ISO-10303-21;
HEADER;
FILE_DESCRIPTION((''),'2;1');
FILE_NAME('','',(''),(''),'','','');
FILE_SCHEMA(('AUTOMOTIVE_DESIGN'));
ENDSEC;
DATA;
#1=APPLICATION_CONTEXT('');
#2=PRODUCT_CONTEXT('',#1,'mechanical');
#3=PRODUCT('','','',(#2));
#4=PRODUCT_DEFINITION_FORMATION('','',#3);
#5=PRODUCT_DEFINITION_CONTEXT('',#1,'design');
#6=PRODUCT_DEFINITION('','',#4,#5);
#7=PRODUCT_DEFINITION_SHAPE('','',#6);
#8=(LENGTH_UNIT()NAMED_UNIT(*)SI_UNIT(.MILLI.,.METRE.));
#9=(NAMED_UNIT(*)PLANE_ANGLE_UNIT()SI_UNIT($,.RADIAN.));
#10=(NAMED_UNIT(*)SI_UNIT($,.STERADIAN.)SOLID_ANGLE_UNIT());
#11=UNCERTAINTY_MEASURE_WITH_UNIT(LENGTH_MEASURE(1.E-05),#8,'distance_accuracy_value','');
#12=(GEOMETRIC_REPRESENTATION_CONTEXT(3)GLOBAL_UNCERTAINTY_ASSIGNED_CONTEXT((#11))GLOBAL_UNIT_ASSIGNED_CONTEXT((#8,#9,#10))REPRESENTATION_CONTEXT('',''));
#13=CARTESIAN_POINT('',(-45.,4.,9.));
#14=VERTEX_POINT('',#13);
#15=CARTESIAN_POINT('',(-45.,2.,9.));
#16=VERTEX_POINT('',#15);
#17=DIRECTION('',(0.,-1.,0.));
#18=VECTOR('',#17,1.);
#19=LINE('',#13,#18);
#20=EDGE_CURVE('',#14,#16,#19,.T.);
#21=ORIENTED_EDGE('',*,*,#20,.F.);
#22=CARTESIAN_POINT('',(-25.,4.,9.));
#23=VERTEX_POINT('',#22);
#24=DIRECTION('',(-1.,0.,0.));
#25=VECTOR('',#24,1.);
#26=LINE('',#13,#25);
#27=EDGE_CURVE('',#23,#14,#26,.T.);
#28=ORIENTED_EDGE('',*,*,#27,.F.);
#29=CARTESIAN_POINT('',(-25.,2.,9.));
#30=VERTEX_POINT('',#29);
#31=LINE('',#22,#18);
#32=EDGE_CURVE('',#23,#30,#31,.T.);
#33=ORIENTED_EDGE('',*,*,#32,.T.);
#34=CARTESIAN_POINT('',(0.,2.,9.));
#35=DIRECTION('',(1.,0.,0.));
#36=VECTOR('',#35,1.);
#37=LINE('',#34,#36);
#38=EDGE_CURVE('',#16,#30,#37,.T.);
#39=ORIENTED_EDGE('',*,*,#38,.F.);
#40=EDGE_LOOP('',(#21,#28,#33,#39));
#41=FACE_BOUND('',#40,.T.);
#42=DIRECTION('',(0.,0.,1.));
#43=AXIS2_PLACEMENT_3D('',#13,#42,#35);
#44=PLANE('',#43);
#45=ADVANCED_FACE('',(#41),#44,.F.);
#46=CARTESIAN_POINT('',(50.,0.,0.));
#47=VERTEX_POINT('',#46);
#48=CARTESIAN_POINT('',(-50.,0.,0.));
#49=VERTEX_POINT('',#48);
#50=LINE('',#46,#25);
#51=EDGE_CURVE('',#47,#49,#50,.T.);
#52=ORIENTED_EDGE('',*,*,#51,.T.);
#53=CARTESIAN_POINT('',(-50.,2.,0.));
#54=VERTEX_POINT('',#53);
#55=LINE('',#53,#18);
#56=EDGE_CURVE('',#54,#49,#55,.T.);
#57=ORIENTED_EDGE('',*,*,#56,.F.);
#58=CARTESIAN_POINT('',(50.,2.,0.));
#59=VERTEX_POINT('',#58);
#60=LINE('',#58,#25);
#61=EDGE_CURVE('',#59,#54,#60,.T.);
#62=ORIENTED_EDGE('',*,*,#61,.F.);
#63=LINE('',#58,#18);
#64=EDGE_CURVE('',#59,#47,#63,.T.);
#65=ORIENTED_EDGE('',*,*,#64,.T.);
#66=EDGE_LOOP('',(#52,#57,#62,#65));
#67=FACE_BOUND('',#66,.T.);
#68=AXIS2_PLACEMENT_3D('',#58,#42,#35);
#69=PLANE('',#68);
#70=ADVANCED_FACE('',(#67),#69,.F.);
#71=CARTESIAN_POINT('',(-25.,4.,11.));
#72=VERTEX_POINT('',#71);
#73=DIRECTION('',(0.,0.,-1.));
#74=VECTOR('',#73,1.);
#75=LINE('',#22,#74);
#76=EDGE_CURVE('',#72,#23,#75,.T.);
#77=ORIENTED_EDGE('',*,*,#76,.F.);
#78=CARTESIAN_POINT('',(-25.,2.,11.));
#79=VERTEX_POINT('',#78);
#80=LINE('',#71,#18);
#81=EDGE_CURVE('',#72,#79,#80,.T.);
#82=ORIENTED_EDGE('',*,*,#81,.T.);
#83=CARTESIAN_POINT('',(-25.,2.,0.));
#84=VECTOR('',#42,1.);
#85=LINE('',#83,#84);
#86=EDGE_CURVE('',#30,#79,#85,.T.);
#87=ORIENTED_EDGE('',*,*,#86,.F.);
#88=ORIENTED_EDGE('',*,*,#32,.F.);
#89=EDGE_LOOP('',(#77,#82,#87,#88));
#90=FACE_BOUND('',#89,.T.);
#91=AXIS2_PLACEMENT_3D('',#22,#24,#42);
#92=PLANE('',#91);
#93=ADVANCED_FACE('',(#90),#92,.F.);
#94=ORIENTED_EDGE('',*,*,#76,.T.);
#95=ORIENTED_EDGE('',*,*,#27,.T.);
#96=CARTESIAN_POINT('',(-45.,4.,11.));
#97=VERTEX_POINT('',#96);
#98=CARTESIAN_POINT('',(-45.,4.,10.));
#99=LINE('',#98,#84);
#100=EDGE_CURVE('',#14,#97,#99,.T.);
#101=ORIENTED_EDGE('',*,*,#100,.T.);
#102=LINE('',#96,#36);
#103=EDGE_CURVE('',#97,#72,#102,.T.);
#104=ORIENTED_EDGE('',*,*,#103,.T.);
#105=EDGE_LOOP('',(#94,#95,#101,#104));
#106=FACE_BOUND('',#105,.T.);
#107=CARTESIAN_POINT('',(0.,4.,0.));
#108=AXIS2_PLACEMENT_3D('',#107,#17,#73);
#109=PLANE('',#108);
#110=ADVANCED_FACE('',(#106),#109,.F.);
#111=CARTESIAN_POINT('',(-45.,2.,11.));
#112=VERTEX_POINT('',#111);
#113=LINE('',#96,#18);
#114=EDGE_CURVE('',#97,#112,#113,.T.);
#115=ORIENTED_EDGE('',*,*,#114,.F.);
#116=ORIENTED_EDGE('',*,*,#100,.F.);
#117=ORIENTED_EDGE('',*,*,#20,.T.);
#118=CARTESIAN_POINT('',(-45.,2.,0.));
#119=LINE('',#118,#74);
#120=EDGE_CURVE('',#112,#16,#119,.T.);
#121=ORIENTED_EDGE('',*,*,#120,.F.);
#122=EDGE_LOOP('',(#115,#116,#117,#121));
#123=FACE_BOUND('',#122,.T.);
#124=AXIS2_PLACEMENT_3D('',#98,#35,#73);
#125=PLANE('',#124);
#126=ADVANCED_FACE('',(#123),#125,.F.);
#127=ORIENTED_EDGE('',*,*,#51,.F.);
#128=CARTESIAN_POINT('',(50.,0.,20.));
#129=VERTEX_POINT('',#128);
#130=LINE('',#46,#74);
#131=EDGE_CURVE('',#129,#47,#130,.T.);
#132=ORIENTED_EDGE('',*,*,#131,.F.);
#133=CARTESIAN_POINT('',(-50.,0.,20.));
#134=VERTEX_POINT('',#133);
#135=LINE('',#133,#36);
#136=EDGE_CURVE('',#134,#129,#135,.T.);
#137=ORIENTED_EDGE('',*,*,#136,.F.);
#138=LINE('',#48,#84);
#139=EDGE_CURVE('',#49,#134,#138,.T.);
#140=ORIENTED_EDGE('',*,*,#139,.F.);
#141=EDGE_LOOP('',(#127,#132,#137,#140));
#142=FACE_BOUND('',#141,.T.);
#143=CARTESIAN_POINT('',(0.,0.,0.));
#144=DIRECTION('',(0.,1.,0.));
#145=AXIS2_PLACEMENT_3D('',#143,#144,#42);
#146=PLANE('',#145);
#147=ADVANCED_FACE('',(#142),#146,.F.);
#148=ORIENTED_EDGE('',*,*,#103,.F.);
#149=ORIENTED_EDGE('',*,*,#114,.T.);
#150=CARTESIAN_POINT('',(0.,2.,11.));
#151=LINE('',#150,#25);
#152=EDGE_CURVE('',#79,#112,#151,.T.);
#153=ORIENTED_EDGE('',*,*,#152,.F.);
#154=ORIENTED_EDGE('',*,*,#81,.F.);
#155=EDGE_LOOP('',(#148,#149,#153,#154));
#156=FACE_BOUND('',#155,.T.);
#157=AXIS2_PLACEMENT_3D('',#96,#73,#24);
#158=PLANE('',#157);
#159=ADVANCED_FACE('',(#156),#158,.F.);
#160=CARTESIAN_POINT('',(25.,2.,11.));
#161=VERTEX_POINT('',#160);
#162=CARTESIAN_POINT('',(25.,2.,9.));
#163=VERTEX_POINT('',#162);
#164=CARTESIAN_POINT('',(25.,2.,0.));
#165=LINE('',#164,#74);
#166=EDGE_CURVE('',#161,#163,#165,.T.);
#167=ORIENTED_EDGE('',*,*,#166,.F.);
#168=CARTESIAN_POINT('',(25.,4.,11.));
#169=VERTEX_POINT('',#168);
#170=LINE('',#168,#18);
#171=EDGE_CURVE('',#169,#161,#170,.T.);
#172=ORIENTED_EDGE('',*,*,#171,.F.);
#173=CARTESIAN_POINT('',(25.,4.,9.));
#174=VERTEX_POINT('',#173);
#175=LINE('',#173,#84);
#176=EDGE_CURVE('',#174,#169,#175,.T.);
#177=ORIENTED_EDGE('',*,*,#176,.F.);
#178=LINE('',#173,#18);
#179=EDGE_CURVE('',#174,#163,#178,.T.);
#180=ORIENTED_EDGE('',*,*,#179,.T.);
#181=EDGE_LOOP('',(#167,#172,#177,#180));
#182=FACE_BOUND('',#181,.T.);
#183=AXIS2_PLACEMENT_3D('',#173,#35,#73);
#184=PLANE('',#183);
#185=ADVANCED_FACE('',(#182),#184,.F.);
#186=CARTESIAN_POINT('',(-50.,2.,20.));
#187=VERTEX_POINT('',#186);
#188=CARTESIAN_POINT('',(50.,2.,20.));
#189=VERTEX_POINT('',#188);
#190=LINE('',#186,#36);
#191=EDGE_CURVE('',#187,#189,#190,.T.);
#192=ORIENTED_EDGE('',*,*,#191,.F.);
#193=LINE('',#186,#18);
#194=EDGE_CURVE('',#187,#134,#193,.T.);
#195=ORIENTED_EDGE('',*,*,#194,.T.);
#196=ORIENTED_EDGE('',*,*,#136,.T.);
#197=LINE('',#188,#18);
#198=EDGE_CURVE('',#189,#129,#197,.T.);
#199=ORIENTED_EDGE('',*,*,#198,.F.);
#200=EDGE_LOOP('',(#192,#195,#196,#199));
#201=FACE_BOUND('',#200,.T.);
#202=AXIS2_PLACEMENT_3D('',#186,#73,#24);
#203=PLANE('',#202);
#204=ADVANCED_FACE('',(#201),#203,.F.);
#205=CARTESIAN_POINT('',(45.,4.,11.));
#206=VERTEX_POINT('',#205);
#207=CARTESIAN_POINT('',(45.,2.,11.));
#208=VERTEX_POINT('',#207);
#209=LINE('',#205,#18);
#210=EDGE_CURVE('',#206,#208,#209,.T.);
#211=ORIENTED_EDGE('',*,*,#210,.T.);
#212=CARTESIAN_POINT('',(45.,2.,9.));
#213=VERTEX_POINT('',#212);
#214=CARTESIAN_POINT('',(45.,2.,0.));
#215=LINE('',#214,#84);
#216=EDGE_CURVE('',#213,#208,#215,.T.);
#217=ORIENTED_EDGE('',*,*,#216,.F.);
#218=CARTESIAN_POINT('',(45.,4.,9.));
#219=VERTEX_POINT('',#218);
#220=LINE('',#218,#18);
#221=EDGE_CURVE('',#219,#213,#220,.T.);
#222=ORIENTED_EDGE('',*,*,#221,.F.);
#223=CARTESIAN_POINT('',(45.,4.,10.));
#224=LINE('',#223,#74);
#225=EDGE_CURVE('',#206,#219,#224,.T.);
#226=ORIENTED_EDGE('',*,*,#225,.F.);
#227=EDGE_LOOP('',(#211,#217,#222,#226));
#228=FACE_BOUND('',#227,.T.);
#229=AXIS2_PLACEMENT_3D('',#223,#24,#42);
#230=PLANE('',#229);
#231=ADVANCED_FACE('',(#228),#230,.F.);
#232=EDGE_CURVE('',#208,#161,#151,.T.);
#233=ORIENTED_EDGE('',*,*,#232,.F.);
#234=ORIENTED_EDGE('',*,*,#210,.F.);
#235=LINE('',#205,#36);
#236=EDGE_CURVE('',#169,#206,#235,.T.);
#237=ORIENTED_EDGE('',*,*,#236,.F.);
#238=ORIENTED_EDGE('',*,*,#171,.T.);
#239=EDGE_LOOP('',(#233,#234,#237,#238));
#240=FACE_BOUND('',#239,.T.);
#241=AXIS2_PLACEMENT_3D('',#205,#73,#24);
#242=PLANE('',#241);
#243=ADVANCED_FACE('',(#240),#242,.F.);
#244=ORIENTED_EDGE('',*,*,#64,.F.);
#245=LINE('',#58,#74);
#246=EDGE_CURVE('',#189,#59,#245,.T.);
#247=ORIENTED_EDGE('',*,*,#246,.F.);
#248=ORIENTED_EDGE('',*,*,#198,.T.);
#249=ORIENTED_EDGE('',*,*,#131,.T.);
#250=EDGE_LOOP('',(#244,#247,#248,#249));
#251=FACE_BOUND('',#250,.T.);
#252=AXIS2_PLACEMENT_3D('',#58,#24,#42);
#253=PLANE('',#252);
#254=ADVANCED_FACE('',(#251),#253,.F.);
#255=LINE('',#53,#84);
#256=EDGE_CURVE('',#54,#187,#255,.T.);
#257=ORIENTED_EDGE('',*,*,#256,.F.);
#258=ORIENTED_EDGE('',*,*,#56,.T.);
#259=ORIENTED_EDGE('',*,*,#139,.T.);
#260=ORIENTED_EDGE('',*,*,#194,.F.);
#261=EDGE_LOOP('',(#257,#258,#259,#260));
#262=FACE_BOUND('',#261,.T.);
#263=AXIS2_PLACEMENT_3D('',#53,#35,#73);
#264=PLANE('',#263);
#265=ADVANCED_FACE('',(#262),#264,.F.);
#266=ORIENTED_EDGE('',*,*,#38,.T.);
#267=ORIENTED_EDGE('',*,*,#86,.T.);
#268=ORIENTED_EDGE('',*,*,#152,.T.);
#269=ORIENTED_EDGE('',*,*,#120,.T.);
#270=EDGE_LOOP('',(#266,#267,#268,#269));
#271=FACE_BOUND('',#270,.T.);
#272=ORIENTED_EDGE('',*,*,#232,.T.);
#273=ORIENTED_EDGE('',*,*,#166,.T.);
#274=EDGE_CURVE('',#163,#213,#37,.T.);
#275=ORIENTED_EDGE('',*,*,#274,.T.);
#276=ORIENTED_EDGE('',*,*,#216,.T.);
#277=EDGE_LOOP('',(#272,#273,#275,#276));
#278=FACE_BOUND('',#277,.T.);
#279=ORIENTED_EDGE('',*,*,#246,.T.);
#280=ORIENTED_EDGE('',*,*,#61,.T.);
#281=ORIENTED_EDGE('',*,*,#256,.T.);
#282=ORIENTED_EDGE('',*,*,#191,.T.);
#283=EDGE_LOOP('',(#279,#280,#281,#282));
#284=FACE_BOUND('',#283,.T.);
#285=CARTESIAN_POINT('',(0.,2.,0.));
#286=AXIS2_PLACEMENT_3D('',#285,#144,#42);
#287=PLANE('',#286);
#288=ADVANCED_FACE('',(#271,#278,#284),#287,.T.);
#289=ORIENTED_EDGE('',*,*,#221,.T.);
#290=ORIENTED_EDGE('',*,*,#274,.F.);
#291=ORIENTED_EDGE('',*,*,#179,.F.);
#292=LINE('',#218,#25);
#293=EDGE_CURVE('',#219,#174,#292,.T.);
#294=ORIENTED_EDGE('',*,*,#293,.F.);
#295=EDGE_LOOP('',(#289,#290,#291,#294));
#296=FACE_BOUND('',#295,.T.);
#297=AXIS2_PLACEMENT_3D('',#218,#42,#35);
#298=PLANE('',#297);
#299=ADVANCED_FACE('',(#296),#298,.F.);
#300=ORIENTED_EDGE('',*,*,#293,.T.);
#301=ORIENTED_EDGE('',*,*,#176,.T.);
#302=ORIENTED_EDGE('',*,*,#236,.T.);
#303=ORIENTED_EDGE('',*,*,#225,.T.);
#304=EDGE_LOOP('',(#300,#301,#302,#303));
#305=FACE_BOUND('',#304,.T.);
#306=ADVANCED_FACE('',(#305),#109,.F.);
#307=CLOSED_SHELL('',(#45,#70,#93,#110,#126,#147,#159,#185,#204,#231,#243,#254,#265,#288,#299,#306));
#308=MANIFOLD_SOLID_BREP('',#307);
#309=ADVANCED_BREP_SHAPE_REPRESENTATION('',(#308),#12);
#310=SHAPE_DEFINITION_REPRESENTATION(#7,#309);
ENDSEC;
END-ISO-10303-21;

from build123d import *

# Parameters (mm, degrees)
SKETCH1_W           = 100
SKETCH1_H           = 20
BOSS_EXTRUDE1_DEPTH = 2
BOSS_EXTRUDE2_DEPTH = 4


with BuildPart() as part:
    # Sketch1 → Boss-Extrude1 (new body)
    with BuildSketch(Plane(origin=(0, 0, 0), x_dir=(1, 0, 0), z_dir=(0, 1, 0))):
        with Locations((0, -10)):
            Rectangle(SKETCH1_W, SKETCH1_H)
    extrude(amount=BOSS_EXTRUDE1_DEPTH)

    # Sketch2 → Boss-Extrude2 (add)
    with BuildSketch(Plane(origin=(0, 0, 0), x_dir=(1, 0, 0), z_dir=(0, 1, 0))):
        Polygon((-45, -10), (-45, -11), (-25, -11), (-25, -9), (-45, -9), align=None)
        Polygon((45, -10), (45, -9), (25, -9), (25, -11), (45, -11), align=None)
    extrude(amount=BOSS_EXTRUDE2_DEPTH)


solid = part.part
